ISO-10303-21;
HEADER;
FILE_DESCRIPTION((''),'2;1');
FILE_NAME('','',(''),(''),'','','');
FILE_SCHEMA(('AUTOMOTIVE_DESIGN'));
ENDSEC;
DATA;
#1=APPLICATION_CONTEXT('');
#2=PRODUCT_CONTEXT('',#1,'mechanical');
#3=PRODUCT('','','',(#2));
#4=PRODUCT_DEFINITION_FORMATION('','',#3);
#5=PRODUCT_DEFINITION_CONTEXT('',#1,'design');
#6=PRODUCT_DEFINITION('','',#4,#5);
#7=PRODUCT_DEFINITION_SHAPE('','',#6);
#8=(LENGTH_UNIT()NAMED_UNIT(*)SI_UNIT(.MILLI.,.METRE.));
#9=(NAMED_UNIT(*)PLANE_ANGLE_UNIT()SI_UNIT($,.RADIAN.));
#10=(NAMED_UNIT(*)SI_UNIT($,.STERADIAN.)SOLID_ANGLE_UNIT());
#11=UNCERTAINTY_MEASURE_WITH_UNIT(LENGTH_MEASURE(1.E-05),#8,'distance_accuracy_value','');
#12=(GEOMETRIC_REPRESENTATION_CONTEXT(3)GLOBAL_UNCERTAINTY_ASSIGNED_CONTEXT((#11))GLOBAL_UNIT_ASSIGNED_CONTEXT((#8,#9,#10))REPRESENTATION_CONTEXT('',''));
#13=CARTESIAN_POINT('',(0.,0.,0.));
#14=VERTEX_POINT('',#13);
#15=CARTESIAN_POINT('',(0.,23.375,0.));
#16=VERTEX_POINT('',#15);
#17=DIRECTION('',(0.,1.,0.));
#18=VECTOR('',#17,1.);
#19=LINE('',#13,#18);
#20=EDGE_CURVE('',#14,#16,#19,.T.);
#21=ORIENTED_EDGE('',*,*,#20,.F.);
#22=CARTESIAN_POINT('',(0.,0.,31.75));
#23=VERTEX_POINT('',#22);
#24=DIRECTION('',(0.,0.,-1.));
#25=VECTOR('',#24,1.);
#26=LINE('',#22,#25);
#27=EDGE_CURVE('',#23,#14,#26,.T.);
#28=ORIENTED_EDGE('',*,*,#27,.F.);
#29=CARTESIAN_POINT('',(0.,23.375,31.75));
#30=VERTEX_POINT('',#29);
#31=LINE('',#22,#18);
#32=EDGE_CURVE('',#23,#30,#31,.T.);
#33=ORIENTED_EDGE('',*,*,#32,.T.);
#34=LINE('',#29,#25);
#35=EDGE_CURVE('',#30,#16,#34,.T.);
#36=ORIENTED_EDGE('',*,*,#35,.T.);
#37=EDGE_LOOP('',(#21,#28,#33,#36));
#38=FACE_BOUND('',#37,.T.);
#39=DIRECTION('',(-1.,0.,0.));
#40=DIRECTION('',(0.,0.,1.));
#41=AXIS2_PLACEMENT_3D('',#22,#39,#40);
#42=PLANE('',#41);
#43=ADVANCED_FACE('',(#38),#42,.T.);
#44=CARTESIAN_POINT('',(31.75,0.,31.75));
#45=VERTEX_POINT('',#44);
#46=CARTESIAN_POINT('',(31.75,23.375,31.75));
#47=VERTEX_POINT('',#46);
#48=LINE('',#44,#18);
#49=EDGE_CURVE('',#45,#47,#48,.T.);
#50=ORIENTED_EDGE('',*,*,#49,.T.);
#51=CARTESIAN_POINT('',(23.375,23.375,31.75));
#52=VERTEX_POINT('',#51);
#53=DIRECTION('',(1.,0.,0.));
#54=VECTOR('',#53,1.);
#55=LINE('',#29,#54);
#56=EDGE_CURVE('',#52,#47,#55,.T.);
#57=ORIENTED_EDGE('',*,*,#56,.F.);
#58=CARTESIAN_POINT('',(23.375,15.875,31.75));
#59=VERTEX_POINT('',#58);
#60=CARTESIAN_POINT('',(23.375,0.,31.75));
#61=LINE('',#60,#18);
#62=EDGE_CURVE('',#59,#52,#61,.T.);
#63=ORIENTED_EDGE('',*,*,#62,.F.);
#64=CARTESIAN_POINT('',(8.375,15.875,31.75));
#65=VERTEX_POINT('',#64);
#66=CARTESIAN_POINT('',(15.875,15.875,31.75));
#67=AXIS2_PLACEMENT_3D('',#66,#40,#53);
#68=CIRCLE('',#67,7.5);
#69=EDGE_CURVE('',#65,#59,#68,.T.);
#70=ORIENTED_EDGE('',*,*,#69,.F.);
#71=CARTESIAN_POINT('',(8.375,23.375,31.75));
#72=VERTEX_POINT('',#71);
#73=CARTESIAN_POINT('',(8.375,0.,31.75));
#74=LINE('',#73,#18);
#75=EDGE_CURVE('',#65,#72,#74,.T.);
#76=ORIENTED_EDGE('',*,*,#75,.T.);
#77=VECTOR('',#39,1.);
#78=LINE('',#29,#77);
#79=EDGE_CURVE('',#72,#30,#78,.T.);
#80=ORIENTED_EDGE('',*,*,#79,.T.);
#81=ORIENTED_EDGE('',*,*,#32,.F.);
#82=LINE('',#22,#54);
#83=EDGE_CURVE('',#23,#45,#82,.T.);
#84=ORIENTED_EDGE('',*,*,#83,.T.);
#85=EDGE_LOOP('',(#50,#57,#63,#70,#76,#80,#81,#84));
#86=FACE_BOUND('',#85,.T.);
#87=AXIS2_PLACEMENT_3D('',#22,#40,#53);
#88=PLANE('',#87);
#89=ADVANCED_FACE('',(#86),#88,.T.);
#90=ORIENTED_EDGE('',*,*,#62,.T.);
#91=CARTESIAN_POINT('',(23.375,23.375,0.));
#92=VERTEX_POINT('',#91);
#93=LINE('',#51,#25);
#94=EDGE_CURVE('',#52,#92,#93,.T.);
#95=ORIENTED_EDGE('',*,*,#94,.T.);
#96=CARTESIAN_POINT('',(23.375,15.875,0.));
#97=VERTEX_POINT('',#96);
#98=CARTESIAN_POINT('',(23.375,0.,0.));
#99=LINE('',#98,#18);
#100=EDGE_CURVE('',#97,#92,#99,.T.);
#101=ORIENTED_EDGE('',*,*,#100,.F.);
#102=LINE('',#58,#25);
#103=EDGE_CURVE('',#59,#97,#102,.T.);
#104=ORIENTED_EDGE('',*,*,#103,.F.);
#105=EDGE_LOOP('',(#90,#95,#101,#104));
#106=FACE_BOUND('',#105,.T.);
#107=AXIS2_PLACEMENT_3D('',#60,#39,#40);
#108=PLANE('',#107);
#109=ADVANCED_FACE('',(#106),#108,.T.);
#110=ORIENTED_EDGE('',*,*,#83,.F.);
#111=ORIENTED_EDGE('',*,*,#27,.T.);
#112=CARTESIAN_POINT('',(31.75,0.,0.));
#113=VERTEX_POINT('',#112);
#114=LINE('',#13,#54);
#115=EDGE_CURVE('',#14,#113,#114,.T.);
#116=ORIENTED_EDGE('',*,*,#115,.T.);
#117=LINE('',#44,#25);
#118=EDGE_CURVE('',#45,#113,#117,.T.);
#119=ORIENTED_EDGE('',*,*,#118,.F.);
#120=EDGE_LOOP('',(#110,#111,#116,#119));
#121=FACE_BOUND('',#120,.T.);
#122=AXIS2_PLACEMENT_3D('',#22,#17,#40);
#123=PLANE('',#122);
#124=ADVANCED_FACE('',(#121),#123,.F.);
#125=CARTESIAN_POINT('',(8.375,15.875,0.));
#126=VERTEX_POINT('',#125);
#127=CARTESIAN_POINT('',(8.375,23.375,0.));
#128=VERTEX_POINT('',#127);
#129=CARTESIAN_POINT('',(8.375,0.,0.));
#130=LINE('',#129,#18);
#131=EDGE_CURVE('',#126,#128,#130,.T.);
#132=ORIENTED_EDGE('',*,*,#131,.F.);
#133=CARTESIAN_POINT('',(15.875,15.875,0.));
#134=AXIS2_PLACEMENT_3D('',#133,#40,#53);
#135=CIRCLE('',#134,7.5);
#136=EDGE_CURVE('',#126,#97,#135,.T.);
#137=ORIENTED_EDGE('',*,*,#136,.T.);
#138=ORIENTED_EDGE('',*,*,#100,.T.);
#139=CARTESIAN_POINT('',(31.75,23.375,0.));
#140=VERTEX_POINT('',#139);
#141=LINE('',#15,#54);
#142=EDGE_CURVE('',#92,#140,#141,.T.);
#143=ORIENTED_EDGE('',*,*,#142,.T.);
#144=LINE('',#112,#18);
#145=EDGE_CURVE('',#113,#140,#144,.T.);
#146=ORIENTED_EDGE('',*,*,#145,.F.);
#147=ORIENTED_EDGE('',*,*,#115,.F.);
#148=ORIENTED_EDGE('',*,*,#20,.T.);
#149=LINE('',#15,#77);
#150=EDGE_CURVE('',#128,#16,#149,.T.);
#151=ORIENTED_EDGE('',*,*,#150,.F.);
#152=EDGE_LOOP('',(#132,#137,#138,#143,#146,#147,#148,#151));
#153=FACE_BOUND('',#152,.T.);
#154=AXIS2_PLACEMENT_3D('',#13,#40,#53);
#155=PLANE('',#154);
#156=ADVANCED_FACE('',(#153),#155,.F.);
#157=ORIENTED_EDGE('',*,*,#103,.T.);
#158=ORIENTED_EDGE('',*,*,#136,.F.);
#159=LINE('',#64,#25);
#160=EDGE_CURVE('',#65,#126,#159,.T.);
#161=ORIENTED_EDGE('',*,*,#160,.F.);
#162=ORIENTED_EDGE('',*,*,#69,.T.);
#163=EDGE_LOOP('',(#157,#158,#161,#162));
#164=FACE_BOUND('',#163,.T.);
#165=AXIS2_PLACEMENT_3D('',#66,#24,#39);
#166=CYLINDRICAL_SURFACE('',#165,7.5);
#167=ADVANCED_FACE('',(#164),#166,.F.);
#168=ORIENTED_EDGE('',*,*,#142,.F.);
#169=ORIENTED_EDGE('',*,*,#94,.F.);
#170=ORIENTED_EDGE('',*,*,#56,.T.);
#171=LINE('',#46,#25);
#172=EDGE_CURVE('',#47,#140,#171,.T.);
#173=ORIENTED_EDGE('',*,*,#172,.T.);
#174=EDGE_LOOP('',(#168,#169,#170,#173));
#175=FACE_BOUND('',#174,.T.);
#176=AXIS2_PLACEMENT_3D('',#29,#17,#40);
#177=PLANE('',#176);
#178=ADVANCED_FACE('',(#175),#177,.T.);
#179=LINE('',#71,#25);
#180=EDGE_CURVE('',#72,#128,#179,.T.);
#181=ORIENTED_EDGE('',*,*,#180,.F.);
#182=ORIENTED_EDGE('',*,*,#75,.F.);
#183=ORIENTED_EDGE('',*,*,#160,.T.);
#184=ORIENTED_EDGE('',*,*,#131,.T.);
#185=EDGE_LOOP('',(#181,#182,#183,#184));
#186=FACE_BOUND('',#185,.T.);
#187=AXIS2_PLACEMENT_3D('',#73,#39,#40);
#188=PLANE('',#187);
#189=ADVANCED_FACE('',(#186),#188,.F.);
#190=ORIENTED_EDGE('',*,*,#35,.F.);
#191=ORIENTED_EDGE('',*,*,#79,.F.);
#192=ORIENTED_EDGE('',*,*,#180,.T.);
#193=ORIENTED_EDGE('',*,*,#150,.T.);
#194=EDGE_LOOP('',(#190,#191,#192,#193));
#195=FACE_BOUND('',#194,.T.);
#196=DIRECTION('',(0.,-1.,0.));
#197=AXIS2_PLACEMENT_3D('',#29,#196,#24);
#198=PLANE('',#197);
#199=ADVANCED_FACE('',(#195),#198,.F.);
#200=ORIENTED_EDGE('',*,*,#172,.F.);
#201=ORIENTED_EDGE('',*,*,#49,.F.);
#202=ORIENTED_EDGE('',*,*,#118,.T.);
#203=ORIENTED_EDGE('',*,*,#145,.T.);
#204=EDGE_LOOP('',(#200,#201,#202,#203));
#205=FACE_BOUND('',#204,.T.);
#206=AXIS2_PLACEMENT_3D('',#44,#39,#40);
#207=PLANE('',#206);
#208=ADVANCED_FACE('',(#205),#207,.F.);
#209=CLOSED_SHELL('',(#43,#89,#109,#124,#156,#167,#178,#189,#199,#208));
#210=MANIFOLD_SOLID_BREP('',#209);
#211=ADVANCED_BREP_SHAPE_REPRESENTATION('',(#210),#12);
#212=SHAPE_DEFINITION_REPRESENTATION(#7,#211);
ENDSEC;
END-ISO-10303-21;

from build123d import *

# Parameters (mm, degrees)
BOSS_EXTRUDE2_DEPTH = 31.75


with BuildPart() as part:
    # Sketch2 → Boss-Extrude2 (new body)
    with BuildSketch(Plane.XY):
        with BuildLine():
            Line((8.375, 15.875), (8.375, 23.375))
            Line((8.375, 23.375), (0, 23.375))
            Line((0, 23.375), (0, 0))
            Line((0, 0), (31.75, 0))
            Line((31.75, 0), (31.75, 23.375))
            Line((31.75, 23.375), (23.375, 23.375))
            Line((23.375, 23.375), (23.375, 15.875))
            ThreePointArc((23.375, 15.875), (15.875, 8.375), (8.375, 15.875))
        make_face()
    extrude(amount=BOSS_EXTRUDE2_DEPTH)


solid = part.part
